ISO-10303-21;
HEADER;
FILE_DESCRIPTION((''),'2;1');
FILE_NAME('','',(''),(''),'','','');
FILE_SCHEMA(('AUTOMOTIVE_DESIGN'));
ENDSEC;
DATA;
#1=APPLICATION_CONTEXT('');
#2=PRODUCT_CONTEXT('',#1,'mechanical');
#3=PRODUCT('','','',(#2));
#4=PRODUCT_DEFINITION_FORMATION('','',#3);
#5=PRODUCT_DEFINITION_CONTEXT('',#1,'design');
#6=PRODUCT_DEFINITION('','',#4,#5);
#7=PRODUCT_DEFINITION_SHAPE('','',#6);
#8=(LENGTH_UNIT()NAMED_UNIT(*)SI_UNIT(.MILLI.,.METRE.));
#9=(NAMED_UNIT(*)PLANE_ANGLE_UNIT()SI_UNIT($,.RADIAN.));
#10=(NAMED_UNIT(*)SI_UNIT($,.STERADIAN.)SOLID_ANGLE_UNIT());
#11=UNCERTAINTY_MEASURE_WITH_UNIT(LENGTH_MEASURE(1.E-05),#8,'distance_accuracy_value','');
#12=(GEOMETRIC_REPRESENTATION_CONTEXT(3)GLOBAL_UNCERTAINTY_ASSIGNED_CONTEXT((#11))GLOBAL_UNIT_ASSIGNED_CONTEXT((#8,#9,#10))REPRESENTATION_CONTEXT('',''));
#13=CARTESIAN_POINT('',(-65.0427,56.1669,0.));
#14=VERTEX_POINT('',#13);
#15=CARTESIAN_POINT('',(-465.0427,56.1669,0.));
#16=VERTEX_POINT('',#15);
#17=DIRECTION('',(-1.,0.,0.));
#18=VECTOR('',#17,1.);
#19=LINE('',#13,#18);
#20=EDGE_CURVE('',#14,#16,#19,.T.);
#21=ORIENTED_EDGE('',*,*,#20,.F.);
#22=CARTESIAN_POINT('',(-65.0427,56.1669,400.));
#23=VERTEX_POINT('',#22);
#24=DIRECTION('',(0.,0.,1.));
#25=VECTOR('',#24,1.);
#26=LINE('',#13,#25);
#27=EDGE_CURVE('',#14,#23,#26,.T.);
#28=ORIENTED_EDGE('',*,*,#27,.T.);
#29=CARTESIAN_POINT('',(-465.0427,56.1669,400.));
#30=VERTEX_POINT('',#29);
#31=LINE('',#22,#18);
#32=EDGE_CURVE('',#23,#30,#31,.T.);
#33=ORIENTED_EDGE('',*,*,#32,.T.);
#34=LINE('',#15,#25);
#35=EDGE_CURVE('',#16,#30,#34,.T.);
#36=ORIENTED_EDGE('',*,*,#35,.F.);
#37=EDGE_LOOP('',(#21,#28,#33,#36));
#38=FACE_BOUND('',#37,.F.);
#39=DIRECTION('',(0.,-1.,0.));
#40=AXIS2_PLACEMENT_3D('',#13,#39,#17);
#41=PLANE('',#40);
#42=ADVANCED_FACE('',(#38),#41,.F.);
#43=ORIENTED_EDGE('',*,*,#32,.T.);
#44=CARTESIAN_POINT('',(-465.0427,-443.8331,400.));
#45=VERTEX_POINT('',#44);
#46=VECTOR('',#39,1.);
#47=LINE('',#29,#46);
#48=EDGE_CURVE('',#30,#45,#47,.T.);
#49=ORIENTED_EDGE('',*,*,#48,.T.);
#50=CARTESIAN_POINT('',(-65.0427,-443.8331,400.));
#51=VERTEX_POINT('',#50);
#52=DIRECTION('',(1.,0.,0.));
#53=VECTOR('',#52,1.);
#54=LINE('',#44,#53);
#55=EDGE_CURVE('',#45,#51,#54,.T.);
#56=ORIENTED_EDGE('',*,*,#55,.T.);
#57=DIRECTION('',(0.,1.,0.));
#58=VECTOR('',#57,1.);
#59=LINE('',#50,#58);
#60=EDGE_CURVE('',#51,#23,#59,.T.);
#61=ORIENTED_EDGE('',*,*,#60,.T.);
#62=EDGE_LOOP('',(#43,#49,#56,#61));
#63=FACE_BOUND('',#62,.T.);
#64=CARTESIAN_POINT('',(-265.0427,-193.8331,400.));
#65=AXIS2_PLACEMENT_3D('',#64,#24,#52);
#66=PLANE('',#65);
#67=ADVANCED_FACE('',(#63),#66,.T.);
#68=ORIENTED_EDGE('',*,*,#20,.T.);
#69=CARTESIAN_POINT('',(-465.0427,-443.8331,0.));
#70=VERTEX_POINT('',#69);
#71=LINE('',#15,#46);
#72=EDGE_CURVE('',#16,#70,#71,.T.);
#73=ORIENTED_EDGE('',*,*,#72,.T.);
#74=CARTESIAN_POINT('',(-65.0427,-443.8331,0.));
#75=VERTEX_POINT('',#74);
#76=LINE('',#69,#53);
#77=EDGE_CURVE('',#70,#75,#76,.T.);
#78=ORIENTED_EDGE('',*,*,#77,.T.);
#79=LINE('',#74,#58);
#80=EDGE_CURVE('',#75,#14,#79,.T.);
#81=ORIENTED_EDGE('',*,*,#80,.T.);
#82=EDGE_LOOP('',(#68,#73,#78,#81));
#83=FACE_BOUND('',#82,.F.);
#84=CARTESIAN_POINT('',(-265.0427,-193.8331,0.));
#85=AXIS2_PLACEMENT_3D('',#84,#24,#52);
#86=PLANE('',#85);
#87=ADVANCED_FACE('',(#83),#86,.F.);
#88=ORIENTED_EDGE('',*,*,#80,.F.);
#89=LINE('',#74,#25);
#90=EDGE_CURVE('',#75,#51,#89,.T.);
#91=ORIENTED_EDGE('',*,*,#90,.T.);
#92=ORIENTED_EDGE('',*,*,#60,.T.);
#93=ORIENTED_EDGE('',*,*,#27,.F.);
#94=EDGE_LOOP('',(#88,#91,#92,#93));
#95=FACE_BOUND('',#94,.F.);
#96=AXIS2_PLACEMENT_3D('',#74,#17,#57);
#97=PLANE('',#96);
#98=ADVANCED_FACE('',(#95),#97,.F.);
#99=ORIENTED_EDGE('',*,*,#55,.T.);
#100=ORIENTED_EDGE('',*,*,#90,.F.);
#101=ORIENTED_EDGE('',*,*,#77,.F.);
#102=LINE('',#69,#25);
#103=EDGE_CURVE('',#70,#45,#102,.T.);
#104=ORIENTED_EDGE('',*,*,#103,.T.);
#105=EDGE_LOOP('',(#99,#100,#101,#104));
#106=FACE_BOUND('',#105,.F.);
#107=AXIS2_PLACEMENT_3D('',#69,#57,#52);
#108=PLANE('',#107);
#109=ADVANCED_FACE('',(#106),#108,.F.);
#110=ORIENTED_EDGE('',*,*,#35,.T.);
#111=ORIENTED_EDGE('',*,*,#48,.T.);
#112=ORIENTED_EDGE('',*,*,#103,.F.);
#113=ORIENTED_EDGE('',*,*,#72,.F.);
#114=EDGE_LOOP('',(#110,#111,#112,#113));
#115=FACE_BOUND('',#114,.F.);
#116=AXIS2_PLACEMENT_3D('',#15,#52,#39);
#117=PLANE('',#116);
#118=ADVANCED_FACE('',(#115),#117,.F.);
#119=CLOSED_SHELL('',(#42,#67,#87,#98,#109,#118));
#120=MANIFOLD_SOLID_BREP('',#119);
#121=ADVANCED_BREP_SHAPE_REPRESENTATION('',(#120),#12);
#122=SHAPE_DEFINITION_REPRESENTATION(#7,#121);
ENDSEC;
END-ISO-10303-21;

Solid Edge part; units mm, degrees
sketch "Sketch1" plane through (0, 0, 0) normal (0, 0, 1) x (1, 0, 0)
  line L0 (-465.0427, -443.8331) -> (-65.0427, -443.8331)
  line L1 (-65.0427, -443.8331) -> (-65.0427, 56.1669)
  line L2 (-65.0427, 56.1669) -> (-465.0427, 56.1669)
  line L3 (-465.0427, 56.1669) -> (-465.0427, -443.8331)
  dimension "D1" = 400
  dimension "D2" = 500
extrude "Protrusion1" add sketch "Sketch1" along normal blind 400
properties material "Aluminum, 6061-T6"
